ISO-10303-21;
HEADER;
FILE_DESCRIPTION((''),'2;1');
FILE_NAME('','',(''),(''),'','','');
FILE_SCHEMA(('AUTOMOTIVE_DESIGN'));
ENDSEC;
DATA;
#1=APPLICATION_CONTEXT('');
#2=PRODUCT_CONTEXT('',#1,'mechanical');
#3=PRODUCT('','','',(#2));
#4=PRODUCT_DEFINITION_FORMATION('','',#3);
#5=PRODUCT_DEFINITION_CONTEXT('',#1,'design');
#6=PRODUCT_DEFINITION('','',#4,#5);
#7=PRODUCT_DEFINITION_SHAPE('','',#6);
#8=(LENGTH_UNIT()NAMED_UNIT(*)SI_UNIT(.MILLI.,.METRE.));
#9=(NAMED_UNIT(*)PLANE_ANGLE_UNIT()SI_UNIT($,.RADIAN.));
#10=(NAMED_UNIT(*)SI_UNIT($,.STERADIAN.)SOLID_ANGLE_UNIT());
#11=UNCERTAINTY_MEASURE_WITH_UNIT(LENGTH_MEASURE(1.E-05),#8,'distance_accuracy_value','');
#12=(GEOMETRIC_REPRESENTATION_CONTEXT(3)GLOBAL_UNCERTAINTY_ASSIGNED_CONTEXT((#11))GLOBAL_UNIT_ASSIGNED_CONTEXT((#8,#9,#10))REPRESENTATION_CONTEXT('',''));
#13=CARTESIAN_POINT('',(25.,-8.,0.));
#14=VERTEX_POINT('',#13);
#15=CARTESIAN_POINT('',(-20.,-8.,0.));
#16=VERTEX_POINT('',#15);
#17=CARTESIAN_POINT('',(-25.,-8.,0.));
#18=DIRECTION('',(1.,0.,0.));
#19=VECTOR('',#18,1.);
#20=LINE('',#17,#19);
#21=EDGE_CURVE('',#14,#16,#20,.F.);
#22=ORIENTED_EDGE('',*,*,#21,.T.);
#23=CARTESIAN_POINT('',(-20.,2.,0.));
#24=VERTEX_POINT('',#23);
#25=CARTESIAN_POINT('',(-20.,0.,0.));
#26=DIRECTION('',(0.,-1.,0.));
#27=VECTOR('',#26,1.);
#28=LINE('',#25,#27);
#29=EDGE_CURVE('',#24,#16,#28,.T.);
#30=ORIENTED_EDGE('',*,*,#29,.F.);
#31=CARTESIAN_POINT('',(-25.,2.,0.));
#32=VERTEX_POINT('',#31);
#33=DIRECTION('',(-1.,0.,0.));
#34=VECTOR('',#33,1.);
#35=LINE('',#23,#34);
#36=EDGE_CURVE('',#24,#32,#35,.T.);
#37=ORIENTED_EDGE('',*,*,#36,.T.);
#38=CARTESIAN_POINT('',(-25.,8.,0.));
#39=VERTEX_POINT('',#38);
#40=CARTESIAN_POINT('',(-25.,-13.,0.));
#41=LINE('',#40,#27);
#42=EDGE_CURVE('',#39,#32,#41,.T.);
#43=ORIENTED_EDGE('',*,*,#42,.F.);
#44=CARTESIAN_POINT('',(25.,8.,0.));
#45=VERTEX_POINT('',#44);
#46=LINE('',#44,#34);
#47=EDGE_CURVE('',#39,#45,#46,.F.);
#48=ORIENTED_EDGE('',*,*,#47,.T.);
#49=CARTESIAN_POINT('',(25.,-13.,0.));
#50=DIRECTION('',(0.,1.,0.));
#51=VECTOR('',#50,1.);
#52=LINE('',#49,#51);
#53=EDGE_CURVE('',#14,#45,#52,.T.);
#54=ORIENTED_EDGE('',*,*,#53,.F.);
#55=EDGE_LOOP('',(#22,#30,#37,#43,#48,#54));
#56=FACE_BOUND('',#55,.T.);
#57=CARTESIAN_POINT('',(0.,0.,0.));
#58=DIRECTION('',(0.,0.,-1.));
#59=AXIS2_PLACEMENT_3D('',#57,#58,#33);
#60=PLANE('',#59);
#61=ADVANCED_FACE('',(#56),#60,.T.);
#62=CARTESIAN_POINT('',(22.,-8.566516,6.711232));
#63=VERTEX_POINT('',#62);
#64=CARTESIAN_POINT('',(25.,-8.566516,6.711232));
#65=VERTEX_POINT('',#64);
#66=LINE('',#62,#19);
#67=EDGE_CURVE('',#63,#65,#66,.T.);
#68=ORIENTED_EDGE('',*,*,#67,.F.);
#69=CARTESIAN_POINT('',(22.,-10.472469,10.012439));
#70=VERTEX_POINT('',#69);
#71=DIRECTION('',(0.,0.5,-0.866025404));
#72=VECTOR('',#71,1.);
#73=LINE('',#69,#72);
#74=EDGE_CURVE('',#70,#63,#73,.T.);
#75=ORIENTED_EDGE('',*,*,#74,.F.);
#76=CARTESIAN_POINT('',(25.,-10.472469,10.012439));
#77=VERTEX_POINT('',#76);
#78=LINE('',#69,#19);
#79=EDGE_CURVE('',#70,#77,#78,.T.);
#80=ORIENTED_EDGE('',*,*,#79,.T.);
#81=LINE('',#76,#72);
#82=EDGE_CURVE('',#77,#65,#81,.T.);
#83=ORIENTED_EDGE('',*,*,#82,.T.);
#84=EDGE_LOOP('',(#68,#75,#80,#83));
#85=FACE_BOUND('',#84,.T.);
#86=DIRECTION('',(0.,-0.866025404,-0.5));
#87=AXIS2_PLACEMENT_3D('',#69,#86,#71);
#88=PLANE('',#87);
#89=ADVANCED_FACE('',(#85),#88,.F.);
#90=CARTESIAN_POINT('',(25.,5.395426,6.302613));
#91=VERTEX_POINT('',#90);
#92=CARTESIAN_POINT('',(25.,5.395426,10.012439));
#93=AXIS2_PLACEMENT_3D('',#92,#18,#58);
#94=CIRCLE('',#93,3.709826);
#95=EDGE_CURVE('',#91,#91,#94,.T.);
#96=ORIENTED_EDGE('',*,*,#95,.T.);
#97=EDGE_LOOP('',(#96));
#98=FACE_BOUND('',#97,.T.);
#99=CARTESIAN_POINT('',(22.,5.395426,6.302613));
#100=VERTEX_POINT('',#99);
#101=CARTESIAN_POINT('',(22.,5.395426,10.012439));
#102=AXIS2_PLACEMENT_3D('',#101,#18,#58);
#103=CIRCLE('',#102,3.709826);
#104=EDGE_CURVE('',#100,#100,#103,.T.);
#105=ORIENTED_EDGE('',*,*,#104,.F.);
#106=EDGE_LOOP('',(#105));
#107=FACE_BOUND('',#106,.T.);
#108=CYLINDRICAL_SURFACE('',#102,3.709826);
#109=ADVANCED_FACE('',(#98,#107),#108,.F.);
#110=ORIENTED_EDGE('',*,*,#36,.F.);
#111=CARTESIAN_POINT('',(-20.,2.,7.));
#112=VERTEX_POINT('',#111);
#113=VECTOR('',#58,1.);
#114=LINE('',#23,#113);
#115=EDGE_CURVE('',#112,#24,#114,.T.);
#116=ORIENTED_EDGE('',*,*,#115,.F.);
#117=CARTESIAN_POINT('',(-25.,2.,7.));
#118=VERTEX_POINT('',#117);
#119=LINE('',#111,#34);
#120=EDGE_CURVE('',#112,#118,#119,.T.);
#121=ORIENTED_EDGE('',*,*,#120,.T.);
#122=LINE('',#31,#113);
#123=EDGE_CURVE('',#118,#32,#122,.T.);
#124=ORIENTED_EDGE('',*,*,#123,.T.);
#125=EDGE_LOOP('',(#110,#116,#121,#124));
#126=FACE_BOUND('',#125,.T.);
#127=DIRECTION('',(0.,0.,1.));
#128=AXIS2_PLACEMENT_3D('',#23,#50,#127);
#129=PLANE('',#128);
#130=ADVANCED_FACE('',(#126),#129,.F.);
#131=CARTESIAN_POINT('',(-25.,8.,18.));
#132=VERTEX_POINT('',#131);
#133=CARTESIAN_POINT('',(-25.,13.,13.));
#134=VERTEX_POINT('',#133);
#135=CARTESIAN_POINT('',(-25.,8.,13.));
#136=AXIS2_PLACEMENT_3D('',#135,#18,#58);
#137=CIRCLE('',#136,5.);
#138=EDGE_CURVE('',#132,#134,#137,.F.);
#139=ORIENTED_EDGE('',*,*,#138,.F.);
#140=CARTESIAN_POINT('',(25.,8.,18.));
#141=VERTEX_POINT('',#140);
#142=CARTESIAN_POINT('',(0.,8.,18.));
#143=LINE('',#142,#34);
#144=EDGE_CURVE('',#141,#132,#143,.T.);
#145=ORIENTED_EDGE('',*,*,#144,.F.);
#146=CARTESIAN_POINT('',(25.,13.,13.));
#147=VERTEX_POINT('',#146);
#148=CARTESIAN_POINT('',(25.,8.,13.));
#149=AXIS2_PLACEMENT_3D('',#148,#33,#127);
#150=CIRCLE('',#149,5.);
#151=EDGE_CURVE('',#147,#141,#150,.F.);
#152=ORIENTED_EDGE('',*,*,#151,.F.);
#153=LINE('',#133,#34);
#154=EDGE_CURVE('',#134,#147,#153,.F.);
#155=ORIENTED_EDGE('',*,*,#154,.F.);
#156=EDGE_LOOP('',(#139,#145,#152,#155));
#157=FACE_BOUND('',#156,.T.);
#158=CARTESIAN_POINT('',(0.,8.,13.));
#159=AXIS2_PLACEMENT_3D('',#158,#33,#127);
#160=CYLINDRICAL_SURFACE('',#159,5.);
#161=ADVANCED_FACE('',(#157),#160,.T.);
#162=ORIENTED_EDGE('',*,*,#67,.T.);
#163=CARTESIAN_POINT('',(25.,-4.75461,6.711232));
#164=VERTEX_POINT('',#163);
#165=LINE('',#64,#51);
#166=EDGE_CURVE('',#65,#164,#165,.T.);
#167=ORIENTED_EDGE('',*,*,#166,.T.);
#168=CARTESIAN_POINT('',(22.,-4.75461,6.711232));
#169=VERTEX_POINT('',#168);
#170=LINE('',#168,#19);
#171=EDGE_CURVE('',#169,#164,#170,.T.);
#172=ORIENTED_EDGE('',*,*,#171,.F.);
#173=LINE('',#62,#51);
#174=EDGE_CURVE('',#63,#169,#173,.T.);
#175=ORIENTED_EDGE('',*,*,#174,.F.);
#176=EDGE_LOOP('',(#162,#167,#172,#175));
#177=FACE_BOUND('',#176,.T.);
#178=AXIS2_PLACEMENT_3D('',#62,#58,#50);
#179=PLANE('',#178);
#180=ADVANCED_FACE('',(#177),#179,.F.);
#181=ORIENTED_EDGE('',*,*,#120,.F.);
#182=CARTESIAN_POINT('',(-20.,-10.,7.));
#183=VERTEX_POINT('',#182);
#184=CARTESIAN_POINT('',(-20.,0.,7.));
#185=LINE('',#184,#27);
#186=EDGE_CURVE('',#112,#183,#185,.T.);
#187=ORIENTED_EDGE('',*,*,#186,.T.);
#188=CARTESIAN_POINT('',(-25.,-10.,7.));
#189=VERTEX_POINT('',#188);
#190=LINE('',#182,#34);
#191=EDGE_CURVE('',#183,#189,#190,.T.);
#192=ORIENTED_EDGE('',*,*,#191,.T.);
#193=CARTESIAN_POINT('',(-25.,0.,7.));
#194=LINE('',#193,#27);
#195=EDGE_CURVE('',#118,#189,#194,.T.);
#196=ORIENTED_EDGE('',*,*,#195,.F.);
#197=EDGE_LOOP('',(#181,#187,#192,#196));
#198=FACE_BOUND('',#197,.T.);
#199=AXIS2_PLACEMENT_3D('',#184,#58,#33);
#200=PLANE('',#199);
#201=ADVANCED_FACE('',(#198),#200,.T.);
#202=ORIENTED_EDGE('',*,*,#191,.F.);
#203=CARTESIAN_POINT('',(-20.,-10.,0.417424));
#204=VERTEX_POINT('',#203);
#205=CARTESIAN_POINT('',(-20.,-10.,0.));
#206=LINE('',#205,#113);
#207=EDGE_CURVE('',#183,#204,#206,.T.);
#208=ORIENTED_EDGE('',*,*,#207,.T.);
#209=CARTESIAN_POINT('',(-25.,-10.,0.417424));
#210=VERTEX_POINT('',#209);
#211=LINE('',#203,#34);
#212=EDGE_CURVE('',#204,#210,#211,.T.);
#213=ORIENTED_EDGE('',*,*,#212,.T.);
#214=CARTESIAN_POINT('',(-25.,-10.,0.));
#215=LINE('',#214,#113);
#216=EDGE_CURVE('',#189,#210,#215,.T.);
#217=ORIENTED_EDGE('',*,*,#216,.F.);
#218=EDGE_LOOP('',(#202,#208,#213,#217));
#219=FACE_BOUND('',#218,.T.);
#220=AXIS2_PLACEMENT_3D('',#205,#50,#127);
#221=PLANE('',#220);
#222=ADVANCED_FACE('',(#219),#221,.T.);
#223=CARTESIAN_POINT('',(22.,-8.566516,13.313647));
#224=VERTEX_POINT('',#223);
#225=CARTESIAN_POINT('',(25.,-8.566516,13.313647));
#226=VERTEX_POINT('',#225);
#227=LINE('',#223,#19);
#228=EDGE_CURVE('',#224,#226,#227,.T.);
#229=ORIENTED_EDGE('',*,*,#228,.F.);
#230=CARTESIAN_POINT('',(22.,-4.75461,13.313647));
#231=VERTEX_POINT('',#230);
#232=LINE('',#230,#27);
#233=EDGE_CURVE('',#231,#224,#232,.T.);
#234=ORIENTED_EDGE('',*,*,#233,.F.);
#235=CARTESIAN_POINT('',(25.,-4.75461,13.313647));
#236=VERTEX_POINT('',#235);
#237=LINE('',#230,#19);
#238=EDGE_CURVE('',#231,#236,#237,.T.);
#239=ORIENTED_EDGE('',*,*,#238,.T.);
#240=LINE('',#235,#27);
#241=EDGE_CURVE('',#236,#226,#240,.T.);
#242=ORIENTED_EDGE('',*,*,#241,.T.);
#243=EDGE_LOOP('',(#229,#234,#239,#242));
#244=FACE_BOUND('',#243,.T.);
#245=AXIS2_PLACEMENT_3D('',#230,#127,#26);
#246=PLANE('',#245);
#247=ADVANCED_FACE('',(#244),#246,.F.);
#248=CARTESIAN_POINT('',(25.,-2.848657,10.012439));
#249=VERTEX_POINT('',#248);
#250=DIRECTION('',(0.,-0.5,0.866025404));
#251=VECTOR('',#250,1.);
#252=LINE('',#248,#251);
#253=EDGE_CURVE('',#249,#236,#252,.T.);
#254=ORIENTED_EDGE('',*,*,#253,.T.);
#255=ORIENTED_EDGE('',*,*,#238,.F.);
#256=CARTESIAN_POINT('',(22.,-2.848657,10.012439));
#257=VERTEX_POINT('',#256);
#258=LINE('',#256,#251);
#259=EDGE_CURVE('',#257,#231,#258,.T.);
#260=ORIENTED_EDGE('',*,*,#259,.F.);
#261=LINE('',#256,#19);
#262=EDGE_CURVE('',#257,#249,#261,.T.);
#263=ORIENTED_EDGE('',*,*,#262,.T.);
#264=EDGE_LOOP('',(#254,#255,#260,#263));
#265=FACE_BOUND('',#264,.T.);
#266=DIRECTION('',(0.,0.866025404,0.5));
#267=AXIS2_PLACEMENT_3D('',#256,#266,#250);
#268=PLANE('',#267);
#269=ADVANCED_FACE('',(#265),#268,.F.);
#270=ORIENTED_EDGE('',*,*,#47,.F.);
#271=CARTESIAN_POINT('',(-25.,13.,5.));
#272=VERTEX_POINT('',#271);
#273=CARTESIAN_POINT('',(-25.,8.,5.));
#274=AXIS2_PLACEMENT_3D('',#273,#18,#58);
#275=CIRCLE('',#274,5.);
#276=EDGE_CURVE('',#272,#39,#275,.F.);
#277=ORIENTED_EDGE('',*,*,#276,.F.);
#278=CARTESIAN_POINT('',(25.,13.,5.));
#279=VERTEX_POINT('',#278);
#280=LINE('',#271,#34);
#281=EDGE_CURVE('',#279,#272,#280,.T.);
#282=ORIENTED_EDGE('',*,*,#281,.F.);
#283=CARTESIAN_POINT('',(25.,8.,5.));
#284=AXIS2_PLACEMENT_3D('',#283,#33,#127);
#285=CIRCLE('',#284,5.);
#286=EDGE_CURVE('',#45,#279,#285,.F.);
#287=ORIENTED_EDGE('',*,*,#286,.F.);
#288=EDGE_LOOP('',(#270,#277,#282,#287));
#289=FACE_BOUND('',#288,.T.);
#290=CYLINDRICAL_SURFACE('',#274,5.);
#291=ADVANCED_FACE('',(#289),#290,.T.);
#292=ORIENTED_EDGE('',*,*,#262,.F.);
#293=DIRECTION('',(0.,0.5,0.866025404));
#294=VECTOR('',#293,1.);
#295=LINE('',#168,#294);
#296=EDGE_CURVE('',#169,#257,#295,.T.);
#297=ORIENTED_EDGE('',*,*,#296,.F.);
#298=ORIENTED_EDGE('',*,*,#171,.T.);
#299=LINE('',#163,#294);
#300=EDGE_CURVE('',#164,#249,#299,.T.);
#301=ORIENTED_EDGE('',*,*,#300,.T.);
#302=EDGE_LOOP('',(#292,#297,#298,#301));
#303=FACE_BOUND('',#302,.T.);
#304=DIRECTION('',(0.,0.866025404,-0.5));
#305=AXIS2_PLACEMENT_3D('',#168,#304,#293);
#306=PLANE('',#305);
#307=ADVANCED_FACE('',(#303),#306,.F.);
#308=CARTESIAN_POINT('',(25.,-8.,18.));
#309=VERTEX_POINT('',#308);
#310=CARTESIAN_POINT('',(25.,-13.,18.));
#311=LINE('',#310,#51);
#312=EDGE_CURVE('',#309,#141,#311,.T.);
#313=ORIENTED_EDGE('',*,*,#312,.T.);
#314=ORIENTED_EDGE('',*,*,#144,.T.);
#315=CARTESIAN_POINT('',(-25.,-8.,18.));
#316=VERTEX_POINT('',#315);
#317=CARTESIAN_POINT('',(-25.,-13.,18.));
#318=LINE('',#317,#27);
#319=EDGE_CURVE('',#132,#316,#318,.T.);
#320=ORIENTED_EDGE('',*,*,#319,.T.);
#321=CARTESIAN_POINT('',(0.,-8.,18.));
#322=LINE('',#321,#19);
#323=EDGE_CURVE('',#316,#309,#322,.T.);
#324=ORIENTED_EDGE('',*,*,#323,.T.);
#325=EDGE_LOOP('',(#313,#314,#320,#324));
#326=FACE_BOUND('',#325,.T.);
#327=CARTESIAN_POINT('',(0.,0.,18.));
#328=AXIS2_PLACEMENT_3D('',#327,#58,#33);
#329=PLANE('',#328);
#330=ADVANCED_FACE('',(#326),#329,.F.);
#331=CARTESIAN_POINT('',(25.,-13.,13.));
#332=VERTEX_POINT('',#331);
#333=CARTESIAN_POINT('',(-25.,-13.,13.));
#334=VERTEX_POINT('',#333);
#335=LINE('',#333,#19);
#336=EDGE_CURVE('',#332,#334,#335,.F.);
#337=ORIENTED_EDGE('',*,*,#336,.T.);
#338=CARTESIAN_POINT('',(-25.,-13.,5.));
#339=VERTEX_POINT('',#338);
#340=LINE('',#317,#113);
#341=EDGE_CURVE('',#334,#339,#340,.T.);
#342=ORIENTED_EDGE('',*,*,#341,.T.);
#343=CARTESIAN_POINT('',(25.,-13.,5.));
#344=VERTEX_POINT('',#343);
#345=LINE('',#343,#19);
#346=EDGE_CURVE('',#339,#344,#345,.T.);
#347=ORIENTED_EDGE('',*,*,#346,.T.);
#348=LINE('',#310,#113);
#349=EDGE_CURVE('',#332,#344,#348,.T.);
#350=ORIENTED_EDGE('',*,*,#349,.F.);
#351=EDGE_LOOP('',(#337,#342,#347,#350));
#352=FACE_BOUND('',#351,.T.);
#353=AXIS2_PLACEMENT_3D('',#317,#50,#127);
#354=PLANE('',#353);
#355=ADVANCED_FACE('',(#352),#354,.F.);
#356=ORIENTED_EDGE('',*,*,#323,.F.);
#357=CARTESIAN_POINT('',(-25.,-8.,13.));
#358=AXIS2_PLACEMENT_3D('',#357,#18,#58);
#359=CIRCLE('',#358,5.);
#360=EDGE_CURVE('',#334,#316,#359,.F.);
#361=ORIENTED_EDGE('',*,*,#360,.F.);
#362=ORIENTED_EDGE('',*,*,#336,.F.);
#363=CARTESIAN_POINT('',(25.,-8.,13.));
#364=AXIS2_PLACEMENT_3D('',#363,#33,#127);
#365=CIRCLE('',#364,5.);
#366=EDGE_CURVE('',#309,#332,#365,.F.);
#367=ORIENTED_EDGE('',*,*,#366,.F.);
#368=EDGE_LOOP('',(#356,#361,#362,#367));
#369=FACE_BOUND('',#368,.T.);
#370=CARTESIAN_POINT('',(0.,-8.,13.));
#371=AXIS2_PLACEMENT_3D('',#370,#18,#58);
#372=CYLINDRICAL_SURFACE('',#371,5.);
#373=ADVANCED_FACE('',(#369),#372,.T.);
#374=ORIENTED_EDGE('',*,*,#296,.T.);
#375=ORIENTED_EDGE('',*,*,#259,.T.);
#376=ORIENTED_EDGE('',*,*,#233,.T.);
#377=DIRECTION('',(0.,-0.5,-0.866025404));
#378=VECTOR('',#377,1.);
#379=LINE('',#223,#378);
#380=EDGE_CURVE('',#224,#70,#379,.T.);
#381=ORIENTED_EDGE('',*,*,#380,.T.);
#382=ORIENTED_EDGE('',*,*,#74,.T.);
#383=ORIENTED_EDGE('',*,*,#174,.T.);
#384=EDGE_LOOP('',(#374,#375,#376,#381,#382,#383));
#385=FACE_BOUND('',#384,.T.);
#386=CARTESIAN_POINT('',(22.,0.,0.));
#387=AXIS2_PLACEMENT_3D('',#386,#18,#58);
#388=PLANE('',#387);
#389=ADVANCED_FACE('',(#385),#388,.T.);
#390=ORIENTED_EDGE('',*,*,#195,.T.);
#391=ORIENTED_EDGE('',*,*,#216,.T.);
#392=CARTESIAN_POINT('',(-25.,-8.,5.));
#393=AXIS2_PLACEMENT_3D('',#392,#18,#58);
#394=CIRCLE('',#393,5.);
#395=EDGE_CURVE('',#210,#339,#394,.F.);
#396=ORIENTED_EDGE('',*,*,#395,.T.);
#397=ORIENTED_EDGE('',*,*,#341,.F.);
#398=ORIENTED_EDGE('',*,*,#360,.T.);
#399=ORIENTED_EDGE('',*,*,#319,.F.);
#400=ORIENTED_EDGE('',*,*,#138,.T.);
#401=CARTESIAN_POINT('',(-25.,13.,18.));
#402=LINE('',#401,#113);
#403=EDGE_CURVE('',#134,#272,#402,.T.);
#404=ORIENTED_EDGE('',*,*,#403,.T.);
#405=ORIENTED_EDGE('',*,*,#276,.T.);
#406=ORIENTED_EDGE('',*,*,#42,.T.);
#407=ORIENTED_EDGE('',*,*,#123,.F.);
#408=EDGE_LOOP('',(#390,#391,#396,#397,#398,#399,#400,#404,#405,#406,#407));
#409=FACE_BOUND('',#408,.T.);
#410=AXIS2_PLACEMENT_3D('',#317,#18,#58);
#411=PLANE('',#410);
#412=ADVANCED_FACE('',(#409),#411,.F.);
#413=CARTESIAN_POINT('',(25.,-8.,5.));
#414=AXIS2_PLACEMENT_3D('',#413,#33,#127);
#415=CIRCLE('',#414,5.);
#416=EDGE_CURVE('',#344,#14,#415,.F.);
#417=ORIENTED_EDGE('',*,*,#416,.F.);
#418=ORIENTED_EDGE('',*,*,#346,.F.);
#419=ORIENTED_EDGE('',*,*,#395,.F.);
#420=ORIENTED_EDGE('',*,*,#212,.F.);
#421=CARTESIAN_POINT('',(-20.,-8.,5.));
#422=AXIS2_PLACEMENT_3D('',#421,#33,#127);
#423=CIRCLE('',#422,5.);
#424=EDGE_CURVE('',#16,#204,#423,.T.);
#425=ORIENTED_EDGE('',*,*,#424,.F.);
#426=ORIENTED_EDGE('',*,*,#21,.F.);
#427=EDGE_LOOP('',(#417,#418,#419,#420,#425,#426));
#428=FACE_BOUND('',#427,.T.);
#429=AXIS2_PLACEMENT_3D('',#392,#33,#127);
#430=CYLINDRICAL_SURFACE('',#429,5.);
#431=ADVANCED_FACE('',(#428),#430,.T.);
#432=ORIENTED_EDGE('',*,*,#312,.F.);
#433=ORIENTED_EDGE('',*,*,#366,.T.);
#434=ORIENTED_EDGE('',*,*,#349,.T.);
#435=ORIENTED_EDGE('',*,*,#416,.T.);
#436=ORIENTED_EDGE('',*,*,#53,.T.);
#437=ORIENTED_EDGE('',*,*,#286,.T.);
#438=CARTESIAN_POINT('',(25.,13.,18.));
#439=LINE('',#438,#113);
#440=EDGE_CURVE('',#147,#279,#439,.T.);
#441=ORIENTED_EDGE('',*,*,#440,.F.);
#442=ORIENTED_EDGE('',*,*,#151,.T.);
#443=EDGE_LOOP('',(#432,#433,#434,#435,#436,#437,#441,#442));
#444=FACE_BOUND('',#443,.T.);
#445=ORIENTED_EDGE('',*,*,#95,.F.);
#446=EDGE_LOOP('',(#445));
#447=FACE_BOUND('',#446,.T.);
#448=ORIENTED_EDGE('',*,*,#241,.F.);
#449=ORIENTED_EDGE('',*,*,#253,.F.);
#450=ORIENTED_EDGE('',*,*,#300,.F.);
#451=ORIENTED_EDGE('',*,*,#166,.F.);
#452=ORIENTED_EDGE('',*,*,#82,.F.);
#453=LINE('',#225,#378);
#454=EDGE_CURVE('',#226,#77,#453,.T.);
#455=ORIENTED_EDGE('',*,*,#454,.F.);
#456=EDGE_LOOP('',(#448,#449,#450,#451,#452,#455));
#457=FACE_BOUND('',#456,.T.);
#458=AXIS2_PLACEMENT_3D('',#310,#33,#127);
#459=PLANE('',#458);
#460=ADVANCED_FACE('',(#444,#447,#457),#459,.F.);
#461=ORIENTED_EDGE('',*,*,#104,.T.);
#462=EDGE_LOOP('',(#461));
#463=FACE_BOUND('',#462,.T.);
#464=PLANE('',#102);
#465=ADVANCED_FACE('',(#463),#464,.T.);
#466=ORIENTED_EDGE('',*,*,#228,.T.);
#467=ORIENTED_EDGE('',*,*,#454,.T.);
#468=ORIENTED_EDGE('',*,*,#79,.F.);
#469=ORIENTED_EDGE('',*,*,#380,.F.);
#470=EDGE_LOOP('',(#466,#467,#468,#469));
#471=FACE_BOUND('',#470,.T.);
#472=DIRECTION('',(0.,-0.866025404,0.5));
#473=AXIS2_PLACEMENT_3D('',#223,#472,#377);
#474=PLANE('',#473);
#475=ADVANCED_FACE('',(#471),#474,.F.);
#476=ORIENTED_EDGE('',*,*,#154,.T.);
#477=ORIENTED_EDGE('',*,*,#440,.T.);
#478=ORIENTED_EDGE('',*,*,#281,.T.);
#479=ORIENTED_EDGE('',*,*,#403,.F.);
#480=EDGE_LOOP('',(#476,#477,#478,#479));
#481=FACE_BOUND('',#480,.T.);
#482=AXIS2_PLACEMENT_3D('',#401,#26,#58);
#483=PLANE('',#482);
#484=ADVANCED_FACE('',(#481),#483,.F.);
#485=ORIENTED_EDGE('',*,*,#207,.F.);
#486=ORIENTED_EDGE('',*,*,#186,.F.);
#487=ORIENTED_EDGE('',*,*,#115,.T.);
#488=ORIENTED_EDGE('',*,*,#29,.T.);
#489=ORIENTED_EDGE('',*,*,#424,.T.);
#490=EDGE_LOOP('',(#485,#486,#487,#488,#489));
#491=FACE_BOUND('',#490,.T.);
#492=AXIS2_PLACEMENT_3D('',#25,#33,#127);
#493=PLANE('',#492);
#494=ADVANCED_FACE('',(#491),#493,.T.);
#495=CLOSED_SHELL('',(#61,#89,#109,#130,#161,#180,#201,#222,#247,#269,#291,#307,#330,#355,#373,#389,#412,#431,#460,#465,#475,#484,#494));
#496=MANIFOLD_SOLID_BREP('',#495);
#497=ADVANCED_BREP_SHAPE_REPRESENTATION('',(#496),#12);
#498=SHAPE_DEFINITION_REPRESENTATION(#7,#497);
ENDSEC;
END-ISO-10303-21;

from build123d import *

# Parameters (mm, degrees)
SKETCH1_W           = 50
SKETCH1_H           = 26
BOSS_EXTRUDE1_DEPTH = 18
SKETCH2_R           = 3.709825946
CUT_EXTRUDE1_DEPTH  = 3
FILLET1_R           = 5
CUT_EXTRUDE4_START  = -5
SKETCH3_W           = 7
SKETCH3_H           = 6
CUT_EXTRUDE4_DEPTH  = 5


with BuildPart() as part:
    # Sketch1 → Boss-Extrude1 (new body)
    with BuildSketch(Plane.XY):
        Rectangle(SKETCH1_W, SKETCH1_H)
    extrude(amount=BOSS_EXTRUDE1_DEPTH)

    # Sketch2 → Cut-Extrude1 (cut)
    with BuildSketch(Plane(origin=(25, 0, 0), x_dir=(0, 0, -1), z_dir=(1, 0, 0))):
        with Locations((-10.012439419, 5.395426064)):
            Circle(SKETCH2_R)
        Polygon((-10.012439419, -2.84865676), (-13.313646894, -4.754609784), (-13.313646894, -8.566515832), (-10.012439419, -10.472468856), (-6.711231945, -8.566515832), (-6.711231945, -4.754609784), align=None)
    extrude(amount=-CUT_EXTRUDE1_DEPTH, mode=Mode.SUBTRACT)

    # Fillet1
    fillet1_edges = [part.edges().sort_by_distance(p)[0] for p in [
        (0, -13, 18),
        (0, -13, 0),
        (0, 13, 0),
        (0, 13, 18),
    ]]
    fillet(fillet1_edges, radius=FILLET1_R)

    # Sketch3 → Cut-Extrude4 (cut)
    with BuildSketch(Plane.ZY.offset(25).offset(CUT_EXTRUDE4_START)):
        with BuildLine():
            Line((7, -4), (0, -4))
            Line((0, -4), (0, -8))
            ThreePointArc((0, -8), (0.105468435, -9.021548218), (0.417424305, -10))
            Line((0.417424305, -10), (7, -10))
            Line((7, -10), (7, -4))
        make_face()
        with Locations((3.5, -1)):
            Rectangle(SKETCH3_W, SKETCH3_H)
    extrude(amount=CUT_EXTRUDE4_DEPTH, mode=Mode.SUBTRACT)


solid = part.part
